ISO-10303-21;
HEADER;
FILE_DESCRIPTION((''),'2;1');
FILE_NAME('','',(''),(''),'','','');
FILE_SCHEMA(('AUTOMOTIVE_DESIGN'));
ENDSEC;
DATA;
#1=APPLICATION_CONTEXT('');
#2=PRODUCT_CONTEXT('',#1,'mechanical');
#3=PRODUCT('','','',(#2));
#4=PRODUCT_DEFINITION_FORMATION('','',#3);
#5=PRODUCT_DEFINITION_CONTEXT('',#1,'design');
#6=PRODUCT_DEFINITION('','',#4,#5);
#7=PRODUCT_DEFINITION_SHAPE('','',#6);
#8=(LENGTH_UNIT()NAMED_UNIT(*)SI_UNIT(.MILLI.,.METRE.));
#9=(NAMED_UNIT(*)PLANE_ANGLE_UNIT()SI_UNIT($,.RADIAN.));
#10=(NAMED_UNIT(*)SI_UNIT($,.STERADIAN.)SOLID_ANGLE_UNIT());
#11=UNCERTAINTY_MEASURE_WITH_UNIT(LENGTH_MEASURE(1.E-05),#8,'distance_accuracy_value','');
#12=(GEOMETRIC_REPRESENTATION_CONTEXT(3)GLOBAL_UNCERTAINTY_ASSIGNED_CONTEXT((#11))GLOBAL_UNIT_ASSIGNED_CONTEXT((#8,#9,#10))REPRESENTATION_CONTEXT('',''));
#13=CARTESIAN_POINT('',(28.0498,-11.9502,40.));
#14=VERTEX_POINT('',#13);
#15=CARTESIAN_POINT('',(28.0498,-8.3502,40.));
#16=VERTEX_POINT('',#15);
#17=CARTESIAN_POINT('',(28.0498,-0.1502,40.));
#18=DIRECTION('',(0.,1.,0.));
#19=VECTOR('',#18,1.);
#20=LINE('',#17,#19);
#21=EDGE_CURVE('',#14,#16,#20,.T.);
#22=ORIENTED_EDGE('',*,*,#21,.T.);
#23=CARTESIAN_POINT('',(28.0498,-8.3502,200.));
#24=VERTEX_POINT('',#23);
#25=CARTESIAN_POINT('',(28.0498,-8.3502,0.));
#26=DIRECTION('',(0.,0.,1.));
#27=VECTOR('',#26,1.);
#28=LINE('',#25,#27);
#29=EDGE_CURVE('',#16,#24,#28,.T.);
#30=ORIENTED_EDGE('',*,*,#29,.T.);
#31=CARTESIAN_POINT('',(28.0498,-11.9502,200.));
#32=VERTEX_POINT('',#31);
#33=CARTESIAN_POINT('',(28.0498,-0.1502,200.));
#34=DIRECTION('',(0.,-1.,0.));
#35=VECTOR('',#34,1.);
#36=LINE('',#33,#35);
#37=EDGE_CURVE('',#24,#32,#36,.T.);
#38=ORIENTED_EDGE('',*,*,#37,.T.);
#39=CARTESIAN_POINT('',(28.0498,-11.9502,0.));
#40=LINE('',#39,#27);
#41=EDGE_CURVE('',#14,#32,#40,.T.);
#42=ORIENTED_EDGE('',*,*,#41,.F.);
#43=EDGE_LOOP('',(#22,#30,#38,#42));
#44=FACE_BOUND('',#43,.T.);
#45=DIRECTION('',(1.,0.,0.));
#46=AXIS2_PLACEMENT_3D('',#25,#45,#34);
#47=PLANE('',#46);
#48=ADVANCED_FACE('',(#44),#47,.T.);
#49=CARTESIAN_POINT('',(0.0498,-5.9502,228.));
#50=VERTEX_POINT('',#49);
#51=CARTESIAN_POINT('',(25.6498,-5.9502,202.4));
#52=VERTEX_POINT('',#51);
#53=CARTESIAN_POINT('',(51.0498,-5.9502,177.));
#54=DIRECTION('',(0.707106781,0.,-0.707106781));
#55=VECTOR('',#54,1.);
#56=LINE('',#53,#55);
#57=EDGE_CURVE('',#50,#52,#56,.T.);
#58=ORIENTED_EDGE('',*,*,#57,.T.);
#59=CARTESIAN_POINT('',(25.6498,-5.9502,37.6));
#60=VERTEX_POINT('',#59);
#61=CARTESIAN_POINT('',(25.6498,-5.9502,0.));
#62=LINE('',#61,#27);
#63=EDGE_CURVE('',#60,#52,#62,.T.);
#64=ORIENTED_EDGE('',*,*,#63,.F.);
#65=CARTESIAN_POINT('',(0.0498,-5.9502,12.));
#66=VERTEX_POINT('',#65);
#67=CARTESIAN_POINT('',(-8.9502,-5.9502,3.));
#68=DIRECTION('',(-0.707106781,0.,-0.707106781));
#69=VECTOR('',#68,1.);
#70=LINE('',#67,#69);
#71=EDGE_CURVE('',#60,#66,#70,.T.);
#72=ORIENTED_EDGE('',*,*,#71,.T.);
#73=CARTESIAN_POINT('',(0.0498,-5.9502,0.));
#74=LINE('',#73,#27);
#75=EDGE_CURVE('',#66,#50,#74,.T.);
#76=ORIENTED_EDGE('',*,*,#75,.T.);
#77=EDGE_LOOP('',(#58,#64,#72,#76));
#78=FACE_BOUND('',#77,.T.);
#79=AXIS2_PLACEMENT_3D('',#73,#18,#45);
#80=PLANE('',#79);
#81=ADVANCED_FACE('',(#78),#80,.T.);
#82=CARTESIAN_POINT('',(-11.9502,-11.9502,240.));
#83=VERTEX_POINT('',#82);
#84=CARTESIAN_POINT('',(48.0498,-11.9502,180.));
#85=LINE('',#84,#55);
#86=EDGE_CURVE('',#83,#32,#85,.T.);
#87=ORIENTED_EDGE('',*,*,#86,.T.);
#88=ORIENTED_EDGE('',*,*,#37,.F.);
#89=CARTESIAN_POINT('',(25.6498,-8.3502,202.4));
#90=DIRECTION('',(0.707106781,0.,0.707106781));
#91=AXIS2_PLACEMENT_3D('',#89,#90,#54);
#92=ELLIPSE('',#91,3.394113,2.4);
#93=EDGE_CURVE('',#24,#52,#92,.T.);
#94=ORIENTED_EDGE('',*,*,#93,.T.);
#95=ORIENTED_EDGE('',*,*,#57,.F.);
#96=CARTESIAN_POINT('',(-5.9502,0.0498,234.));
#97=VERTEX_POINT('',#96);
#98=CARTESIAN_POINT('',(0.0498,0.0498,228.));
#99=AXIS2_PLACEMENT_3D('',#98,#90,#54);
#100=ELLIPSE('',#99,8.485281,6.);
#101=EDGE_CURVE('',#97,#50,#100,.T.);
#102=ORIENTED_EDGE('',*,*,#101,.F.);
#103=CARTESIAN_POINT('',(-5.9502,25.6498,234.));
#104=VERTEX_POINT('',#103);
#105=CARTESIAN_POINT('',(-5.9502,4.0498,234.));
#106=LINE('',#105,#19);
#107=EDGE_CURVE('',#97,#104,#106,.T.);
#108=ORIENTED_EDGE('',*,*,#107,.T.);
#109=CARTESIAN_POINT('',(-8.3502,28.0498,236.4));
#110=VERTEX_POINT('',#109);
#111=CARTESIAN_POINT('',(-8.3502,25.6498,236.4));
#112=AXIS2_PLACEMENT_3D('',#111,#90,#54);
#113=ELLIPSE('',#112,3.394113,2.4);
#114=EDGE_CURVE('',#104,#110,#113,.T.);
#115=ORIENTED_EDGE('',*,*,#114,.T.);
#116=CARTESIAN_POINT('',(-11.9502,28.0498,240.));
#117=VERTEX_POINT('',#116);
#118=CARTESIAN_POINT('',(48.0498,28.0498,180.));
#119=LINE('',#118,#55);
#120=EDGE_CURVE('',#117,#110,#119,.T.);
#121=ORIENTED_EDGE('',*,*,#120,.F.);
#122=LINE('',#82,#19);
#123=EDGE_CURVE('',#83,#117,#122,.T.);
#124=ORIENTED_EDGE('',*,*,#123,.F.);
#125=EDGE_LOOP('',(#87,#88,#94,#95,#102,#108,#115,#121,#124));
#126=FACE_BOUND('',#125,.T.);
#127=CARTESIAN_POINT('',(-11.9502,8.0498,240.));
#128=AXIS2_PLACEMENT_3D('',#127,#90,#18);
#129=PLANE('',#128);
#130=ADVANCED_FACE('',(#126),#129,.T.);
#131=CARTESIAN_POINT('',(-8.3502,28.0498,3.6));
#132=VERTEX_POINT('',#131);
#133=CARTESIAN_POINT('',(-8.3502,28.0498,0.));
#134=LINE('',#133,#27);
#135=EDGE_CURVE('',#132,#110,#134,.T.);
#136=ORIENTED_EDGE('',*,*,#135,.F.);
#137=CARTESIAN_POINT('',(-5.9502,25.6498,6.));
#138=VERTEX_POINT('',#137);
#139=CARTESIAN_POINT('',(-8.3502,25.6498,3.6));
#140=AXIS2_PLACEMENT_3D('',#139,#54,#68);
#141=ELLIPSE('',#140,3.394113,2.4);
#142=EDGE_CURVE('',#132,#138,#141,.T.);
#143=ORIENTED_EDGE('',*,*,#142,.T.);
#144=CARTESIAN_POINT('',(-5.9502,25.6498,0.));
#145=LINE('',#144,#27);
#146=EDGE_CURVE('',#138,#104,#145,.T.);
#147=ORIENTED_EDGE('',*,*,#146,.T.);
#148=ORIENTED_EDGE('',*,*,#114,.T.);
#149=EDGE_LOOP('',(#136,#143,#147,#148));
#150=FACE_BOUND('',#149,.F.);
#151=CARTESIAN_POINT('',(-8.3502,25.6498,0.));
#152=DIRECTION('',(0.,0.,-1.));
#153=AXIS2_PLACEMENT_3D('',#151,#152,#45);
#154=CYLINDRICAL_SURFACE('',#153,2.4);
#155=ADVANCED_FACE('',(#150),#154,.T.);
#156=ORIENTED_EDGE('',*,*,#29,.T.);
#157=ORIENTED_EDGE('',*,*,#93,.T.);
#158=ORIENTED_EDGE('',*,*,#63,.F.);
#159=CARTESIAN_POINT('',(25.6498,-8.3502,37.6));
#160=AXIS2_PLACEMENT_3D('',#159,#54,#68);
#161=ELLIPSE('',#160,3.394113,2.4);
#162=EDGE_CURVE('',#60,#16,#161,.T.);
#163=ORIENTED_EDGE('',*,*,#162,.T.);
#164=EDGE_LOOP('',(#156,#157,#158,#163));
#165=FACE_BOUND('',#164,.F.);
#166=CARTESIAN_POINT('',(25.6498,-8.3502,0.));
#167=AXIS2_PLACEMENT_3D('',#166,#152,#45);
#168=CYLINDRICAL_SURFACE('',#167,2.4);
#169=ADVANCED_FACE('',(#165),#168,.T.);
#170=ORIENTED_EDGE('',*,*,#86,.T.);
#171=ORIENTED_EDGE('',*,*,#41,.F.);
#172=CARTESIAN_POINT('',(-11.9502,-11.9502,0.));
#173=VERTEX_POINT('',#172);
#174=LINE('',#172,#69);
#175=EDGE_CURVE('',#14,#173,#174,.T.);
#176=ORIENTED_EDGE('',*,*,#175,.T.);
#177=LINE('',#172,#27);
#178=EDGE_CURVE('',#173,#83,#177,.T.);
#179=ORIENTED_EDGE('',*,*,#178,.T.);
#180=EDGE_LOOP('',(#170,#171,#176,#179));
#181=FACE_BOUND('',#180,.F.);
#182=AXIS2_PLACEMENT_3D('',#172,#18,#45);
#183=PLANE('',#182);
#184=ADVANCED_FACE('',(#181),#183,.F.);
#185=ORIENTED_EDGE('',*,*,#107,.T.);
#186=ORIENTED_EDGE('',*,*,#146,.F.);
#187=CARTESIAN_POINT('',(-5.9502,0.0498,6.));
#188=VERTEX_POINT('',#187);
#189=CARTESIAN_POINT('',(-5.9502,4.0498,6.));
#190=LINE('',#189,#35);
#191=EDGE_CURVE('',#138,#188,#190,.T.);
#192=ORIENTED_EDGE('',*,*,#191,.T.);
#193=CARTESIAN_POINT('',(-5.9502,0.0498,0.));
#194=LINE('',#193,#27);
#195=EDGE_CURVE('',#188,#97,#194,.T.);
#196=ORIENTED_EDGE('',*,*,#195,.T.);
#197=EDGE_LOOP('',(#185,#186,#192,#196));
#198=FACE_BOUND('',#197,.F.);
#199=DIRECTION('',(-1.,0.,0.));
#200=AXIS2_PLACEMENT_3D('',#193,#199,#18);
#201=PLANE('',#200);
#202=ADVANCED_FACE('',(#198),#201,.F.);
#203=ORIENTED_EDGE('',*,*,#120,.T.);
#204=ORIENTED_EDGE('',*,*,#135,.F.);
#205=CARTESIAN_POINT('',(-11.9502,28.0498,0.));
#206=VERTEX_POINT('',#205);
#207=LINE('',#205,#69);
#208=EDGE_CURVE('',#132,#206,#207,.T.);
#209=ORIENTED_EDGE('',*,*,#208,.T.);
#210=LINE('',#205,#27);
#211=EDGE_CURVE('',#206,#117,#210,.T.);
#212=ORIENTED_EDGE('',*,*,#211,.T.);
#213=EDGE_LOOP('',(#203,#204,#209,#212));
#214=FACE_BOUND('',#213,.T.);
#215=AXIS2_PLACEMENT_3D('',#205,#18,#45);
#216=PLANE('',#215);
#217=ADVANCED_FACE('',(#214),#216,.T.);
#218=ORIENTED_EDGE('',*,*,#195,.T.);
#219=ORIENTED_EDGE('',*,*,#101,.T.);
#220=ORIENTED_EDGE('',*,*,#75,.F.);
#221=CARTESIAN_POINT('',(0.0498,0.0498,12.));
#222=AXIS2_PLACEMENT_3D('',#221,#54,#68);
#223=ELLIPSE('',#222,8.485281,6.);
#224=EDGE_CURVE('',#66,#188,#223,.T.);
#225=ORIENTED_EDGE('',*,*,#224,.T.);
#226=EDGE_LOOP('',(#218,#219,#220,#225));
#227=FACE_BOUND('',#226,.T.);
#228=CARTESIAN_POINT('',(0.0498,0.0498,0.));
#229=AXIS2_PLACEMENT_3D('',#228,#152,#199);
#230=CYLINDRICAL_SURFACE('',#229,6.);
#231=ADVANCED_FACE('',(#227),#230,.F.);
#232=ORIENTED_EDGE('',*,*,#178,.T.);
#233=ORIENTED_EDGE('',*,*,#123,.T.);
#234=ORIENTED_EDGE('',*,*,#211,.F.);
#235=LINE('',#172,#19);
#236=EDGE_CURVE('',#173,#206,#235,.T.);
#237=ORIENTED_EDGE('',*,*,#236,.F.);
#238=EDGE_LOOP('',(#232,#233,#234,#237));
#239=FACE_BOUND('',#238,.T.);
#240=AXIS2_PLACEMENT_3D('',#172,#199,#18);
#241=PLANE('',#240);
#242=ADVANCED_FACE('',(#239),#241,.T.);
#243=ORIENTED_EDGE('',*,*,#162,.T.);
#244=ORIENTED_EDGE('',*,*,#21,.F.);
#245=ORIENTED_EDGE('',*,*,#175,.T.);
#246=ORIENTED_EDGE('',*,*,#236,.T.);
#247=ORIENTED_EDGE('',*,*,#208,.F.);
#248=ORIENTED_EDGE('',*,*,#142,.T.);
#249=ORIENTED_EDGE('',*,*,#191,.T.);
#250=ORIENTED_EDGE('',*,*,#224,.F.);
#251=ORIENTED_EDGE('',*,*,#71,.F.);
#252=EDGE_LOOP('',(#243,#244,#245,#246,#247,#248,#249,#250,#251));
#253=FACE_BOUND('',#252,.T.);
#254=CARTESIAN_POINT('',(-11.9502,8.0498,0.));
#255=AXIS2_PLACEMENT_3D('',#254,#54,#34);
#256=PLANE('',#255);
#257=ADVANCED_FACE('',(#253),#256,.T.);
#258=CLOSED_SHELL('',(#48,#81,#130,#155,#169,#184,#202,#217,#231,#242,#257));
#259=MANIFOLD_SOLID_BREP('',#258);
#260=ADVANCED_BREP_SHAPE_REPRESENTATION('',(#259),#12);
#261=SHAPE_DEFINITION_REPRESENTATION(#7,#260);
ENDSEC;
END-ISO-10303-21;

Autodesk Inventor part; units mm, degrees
ref_plane "Start Plane" through (0, 0, 0) normal (0, 0, 1) x (1, 0, 0)
ref_plane "End Plane" through (0, 0, 240) normal (0, 0, 1) x (1, 0, 0)
sketch "Sketch" plane through (0, 0, 0) normal (0, 0, 1) x (1, 0, 0)
  line L0 (-5.9502, 0.0498) -> (-5.9502, 25.6498)
  line L1 (-11.9502, 28.0498) -> (-8.3502, 28.0498)
  line L2 (-11.9502, -11.9502) -> (-11.9502, 28.0498)
  line L3 (-11.9502, -11.9502) -> (28.0498, -11.9502)
  line L4 (28.0498, -8.3502) -> (28.0498, -11.9502)
  line L5 (0.0498, -5.9502) -> (25.6498, -5.9502)
  arc A0 (-5.9502, 0.0498) -> (0.0498, -5.9502) centre (0.0498, 0.0498) ccw
  arc A1 (-5.9502, 25.6498) -> (-8.3502, 28.0498) centre (-8.3502, 25.6498) ccw
  arc A2 (28.0498, -8.3502) -> (25.6498, -5.9502) centre (25.6498, -8.3502) ccw
  line L6 (0, 36.6463) -> (0, -20.0496) construction
  line L7 (-20.0496, 0) -> (36.6463, 0) construction
  point P0 (-5.9502, -5.9502)
  point P1 (-5.9502, 28.0498)
  point P2 (28.0498, -5.9502)
  dimension "d4" = 40
  dimension "d6" = 40
  dimension "d8" = 6
  dimension "d10" = 6
  dimension "d17" = 6
  dimension "d18" = 2.4
  dimension "d19" = 11.9502
  dimension "d20" = 11.9502
extrude "Body" add sketch "Sketch" along normal up to surface (240 mm away) from surface at 0
sketch "Sketch3" plane through (0, 0, 0) normal (0, 0, 1) x (1, 0, 0)
  line L0 (0, 0) -> (10, 0)
ref_plane "Work Plane10" through (0, 0, 0) normal (0, -1, 0) x (1, 0, 0)
sketch "Sketch4" plane through (0, 0, 0) normal (0, -1, 0) x (1, 0, 0)
  line L0 (-2, 0) -> (12, 0)
  line L1 (-2, 240) -> (12, 240)
  dimension "d24" = 240
ref_plane "Work Plane11" through (-11.9502, 8.0498, 0) normal (0.7071, 0, -0.7071) x (-0.7071, 0, -0.7071)
split "Split1" plane through (-11.9502, 8.0498, 0) removes the side toward (0.7071, 0, -0.7071)
ref_plane "Work Plane12" through (-11.9502, 8.0498, 240) normal (0.7071, 0, 0.7071) x (0.7071, 0, -0.7071)
split "Split2" plane through (-11.9502, 8.0498, 240) removes the side toward (0.7071, 0, 0.7071)
equation "\"d4\" = b"
equation "\"d6\" = b"
equation "\"d8\" = ParT"
equation "\"d10\" = ParT"
equation "\"d17\" = R"
equation "\"d18\" = R1"
equation "\"d19\" = ex"
equation "\"d20\" = d19"
equation "\"d11\" = G_L"
equation "\"b\" = 40"
equation "\"ParT\" = 6"
equation "\"R\" = 6"
equation "\"R1\" = 2.4"
equation "\"G_L\" = d24"
equation "\"G_OFFSET_START\" = 0"
equation "\"G_OFFSET_END\" = 0"
equation "\"ex\" = 11.950185"
properties part number "BS 4848 - 40x40x6-240" material "Steel, Mild"
